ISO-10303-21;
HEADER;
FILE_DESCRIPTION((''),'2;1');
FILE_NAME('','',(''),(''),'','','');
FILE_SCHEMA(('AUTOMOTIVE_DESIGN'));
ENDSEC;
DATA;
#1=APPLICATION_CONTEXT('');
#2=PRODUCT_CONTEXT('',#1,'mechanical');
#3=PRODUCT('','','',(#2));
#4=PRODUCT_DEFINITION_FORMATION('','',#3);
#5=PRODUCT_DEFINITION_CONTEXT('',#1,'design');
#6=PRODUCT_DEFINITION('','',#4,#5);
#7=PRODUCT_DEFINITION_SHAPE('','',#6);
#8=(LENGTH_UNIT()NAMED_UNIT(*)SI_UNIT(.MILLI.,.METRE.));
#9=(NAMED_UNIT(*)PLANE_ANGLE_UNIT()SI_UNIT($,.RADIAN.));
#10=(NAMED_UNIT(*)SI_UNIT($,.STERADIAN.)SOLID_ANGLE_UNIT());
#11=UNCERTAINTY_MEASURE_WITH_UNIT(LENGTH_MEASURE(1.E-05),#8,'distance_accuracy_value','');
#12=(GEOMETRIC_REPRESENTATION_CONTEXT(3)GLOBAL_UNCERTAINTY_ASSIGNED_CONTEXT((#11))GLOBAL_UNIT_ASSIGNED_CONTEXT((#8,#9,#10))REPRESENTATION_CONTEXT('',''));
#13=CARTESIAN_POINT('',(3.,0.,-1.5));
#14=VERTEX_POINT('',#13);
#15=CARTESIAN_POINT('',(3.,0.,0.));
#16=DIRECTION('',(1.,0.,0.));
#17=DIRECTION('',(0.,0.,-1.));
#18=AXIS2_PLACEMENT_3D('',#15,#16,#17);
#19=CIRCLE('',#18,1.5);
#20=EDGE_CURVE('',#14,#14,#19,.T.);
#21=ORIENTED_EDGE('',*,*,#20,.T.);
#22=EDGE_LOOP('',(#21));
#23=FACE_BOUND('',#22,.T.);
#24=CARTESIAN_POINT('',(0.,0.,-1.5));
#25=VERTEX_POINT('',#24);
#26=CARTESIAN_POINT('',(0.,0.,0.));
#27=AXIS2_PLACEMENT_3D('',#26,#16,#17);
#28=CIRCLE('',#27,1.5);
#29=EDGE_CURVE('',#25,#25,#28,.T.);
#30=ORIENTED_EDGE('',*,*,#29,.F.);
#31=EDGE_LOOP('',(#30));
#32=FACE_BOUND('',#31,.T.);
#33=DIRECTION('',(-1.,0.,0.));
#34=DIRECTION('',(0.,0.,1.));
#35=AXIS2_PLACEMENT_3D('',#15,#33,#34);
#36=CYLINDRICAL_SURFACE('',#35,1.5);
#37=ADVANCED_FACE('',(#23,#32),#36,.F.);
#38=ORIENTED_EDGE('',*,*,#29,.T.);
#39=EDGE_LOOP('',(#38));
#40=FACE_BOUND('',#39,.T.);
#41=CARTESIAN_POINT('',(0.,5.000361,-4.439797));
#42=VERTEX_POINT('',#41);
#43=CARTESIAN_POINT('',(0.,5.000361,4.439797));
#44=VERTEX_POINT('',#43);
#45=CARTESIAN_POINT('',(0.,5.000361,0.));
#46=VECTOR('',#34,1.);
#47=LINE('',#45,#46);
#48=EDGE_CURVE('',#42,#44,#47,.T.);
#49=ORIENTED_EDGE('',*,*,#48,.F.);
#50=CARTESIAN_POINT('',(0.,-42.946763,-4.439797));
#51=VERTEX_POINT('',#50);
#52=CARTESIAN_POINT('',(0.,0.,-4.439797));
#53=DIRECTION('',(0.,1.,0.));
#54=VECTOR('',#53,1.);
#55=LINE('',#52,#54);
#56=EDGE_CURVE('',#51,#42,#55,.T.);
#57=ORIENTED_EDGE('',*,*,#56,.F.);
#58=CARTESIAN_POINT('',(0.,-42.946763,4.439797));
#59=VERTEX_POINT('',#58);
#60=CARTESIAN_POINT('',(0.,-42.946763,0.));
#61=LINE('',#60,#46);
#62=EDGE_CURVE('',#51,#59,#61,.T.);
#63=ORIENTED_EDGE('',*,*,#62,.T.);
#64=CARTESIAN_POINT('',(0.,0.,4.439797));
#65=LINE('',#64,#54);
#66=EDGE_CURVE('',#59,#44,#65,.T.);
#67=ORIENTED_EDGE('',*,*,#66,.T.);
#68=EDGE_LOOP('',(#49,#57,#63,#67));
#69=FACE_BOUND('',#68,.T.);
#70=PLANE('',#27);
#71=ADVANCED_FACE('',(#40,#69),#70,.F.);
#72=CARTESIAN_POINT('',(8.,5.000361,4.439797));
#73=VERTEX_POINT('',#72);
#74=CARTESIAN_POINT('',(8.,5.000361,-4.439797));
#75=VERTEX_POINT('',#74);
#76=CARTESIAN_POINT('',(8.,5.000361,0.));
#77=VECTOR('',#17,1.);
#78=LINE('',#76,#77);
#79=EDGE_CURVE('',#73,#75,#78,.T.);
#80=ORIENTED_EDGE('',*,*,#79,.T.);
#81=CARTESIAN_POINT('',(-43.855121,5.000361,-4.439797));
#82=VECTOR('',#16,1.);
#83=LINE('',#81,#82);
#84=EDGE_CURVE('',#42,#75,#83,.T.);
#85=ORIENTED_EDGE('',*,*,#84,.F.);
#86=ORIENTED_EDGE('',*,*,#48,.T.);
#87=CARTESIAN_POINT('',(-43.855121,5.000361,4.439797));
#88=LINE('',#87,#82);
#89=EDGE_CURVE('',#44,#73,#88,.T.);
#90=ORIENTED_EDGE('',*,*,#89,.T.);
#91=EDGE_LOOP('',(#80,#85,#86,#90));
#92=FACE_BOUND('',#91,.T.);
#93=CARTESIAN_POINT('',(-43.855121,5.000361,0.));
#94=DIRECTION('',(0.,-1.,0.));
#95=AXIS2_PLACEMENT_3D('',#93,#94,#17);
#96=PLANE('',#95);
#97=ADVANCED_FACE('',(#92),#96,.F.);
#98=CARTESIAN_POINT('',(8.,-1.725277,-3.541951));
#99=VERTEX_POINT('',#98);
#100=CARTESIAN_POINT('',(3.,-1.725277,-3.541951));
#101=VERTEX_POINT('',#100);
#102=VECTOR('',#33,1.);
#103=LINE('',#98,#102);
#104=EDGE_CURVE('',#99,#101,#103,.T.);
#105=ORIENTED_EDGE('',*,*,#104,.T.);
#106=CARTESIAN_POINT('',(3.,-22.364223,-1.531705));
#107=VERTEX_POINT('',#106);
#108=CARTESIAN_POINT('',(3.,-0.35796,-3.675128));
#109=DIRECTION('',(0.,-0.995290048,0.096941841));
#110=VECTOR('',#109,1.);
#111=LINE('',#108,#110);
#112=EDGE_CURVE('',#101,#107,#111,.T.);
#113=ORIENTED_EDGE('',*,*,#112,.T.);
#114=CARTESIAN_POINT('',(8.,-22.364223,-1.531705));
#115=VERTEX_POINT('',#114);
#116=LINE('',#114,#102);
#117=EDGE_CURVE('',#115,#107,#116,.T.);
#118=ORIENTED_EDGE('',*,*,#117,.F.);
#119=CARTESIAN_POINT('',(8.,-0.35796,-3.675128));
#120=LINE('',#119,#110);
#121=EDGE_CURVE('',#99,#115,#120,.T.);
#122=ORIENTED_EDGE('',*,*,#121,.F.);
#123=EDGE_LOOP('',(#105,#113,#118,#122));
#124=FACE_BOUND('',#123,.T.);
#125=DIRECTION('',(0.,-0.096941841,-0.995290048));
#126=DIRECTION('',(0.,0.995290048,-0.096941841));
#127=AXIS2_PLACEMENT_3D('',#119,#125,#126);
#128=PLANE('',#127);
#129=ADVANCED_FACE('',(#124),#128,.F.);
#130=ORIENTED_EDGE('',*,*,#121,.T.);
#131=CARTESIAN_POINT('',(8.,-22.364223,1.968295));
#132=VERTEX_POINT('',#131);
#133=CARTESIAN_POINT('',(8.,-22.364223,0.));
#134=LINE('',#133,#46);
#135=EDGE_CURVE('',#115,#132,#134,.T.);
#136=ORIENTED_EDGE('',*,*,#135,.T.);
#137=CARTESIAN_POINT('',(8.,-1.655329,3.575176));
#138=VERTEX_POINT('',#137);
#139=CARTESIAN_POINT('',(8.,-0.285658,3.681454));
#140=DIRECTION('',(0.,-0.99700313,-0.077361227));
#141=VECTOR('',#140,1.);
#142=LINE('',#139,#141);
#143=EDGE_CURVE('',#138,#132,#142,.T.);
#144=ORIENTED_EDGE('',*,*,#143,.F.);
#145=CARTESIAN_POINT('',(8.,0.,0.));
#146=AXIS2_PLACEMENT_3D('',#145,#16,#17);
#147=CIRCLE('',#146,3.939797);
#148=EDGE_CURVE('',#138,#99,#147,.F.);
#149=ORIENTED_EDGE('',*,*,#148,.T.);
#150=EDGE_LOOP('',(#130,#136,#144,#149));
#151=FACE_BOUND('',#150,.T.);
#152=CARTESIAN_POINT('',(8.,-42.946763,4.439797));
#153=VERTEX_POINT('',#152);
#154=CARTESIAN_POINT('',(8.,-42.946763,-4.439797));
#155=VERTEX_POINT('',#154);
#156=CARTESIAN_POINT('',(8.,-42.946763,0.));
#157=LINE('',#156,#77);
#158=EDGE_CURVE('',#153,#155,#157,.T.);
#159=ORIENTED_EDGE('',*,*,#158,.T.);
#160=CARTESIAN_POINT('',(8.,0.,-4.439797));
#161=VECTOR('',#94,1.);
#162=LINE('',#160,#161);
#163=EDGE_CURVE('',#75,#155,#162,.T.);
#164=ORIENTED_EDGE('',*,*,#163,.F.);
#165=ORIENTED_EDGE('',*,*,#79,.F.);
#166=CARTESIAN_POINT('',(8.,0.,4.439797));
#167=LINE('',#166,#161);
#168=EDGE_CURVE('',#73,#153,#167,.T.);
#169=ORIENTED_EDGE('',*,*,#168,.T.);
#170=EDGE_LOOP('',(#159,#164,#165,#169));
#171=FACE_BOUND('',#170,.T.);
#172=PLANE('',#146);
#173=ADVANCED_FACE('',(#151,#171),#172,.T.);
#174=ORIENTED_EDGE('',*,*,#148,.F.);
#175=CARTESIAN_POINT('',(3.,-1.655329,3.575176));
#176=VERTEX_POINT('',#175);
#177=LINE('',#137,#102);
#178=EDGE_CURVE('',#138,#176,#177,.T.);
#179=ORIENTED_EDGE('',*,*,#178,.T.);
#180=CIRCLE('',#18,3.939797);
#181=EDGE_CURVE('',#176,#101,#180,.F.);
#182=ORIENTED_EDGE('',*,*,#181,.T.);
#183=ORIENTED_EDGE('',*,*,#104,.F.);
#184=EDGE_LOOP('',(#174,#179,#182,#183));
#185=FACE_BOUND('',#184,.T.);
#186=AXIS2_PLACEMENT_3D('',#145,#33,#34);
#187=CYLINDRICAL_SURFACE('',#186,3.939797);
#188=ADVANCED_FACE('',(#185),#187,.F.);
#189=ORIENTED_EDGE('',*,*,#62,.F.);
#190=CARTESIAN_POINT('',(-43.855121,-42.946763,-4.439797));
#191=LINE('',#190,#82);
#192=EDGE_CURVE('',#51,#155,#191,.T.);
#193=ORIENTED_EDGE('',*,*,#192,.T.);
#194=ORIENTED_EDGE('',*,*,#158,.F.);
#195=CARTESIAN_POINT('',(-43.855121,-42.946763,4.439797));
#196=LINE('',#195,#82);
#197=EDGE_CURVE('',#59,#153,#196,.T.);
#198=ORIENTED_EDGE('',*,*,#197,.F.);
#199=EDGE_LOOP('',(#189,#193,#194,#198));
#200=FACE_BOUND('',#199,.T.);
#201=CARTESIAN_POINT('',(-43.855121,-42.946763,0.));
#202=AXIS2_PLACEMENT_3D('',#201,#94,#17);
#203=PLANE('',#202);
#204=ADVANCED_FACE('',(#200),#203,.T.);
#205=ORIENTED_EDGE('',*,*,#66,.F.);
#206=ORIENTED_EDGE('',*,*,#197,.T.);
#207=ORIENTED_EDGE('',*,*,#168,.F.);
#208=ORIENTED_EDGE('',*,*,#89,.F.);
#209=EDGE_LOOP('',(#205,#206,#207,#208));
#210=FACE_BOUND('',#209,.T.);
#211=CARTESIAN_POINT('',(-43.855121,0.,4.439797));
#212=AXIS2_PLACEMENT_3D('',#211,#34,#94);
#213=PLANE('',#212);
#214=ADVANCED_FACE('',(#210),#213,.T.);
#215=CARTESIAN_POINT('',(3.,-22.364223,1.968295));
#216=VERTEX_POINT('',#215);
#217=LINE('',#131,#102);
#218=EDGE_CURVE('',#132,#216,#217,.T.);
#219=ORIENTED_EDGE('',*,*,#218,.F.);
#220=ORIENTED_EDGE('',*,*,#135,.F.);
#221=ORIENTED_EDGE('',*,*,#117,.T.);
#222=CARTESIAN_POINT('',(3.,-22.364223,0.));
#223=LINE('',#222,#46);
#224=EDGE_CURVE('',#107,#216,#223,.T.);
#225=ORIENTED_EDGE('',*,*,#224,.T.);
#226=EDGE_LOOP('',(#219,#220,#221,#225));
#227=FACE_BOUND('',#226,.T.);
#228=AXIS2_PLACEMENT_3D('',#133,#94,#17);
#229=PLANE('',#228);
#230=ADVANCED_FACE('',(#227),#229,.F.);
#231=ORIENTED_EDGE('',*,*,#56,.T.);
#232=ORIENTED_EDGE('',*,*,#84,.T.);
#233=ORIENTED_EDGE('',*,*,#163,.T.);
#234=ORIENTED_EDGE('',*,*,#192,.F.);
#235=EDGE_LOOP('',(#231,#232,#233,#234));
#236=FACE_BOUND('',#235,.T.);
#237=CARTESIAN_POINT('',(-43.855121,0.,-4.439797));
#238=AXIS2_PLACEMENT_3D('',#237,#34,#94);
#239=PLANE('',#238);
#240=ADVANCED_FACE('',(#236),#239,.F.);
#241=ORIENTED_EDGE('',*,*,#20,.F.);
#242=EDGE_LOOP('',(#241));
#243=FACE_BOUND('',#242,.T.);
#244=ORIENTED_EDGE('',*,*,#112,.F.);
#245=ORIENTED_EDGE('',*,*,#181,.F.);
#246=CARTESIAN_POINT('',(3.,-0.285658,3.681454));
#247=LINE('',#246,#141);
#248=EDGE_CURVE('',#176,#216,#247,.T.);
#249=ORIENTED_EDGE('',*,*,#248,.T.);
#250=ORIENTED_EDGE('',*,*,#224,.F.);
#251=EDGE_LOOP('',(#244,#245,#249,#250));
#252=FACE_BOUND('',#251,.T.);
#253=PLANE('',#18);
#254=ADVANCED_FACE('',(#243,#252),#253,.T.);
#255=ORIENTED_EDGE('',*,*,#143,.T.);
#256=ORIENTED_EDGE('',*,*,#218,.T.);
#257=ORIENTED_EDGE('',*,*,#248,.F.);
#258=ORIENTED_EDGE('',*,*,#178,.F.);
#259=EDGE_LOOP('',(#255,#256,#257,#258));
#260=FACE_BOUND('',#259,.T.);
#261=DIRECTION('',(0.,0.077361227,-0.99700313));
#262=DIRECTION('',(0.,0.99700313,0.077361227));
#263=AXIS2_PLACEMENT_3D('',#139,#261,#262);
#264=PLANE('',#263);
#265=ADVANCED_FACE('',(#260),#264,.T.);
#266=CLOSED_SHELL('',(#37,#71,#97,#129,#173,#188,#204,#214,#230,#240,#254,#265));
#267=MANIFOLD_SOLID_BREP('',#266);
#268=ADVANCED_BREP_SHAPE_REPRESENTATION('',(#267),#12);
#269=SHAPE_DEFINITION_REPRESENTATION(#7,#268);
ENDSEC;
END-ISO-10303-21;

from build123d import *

# Parameters (mm, degrees)
BOSS_EXTRUDE1_DEPTH = 8
SKETCH1_3_R         = 1.5
BOSS_EXTRUDE2_DEPTH = 3
BOSS_EXTRUDE5_START = -8
BOSS_EXTRUDE5_DEPTH = 8


with BuildPart() as part:
    # Sketch1 → Boss-Extrude1 (new body)
    with BuildSketch(Plane(origin=(0, 0, 0), x_dir=(0, 0, -1), z_dir=(1, 0, 0))):
        with BuildLine():
            ThreePointArc((-4.119669775, -1.65532903), (0.037822774, 4.439635423), (4.090869231, -1.725277422))
            Line((4.090869231, -1.725277422), (1.82908276, -24.946763134))
            Line((1.82908276, -24.946763134), (-2.312399702, -24.946763134))
            Line((-2.312399702, -24.946763134), (-4.119669775, -1.65532903))
        make_face()
        with BuildLine():
            Line((-3.575175872, -1.65532903), (-1.968294835, -22.364222709))
            Line((-1.968294835, -22.364222709), (1.531705165, -22.364222709))
            Line((1.531705165, -22.364222709), (3.541950668, -1.725277422))
            ThreePointArc((3.541950668, -1.725277422), (0.038719155, 3.939606268), (-3.575175872, -1.65532903))
        make_face(mode=Mode.SUBTRACT)
    extrude(amount=BOSS_EXTRUDE1_DEPTH)

    # Sketch1<3> → Boss-Extrude2 (add)
    with BuildSketch(Plane(origin=(0, 0, 0), x_dir=(0, 0, -1), z_dir=(1, 0, 0))):
        with BuildLine():
            ThreePointArc((-3.575175872, -1.65532903), (0.038719155, 3.939606268), (3.541950668, -1.725277422))
            Line((3.541950668, -1.725277422), (1.531705165, -22.364222709))
            Line((1.531705165, -22.364222709), (-1.968294835, -22.364222709))
            Line((-1.968294835, -22.364222709), (-3.575175872, -1.65532903))
        make_face()
        Circle(SKETCH1_3_R, mode=Mode.SUBTRACT)
    extrude(amount=BOSS_EXTRUDE2_DEPTH)

    # Sketch4 → Boss-Extrude5 (add)
    with BuildSketch(Plane(origin=(8, 0, 0), x_dir=(0, 0, -1), z_dir=(1, 0, 0)).offset(BOSS_EXTRUDE5_START)):
        with BuildLine():
            Line((4.439796532, 5.000361233), (-4.439796532, 5.000361233))
            Line((-4.439796532, 5.000361233), (-4.439796532, -2e-08))
            ThreePointArc((-4.439796532, -2e-08), (1e-08, 4.439796532), (4.439796532, -4e-08))
            Line((4.439796532, -4e-08), (4.439796532, 5.000361233))
        make_face()
        with BuildLine():
            ThreePointArc((-4.119669775, -1.65532903), (-4.359030213, -0.842999912), (-4.439796532, -2e-08))
            Line((-4.439796532, -2e-08), (-4.439796532, -42.946763134))
            Line((-4.439796532, -42.946763134), (4.439796532, -42.946763134))
            Line((4.439796532, -42.946763134), (4.439796532, -4e-08))
            ThreePointArc((4.439796532, -4e-08), (4.351690488, -0.880104054), (4.090869231, -1.725277422))
            Line((4.090869231, -1.725277422), (1.82908276, -24.946763134))
            Line((1.82908276, -24.946763134), (-2.312399702, -24.946763134))
            Line((-2.312399702, -24.946763134), (-4.119669775, -1.65532903))
        make_face()
    extrude(amount=BOSS_EXTRUDE5_DEPTH)


solid = part.part
